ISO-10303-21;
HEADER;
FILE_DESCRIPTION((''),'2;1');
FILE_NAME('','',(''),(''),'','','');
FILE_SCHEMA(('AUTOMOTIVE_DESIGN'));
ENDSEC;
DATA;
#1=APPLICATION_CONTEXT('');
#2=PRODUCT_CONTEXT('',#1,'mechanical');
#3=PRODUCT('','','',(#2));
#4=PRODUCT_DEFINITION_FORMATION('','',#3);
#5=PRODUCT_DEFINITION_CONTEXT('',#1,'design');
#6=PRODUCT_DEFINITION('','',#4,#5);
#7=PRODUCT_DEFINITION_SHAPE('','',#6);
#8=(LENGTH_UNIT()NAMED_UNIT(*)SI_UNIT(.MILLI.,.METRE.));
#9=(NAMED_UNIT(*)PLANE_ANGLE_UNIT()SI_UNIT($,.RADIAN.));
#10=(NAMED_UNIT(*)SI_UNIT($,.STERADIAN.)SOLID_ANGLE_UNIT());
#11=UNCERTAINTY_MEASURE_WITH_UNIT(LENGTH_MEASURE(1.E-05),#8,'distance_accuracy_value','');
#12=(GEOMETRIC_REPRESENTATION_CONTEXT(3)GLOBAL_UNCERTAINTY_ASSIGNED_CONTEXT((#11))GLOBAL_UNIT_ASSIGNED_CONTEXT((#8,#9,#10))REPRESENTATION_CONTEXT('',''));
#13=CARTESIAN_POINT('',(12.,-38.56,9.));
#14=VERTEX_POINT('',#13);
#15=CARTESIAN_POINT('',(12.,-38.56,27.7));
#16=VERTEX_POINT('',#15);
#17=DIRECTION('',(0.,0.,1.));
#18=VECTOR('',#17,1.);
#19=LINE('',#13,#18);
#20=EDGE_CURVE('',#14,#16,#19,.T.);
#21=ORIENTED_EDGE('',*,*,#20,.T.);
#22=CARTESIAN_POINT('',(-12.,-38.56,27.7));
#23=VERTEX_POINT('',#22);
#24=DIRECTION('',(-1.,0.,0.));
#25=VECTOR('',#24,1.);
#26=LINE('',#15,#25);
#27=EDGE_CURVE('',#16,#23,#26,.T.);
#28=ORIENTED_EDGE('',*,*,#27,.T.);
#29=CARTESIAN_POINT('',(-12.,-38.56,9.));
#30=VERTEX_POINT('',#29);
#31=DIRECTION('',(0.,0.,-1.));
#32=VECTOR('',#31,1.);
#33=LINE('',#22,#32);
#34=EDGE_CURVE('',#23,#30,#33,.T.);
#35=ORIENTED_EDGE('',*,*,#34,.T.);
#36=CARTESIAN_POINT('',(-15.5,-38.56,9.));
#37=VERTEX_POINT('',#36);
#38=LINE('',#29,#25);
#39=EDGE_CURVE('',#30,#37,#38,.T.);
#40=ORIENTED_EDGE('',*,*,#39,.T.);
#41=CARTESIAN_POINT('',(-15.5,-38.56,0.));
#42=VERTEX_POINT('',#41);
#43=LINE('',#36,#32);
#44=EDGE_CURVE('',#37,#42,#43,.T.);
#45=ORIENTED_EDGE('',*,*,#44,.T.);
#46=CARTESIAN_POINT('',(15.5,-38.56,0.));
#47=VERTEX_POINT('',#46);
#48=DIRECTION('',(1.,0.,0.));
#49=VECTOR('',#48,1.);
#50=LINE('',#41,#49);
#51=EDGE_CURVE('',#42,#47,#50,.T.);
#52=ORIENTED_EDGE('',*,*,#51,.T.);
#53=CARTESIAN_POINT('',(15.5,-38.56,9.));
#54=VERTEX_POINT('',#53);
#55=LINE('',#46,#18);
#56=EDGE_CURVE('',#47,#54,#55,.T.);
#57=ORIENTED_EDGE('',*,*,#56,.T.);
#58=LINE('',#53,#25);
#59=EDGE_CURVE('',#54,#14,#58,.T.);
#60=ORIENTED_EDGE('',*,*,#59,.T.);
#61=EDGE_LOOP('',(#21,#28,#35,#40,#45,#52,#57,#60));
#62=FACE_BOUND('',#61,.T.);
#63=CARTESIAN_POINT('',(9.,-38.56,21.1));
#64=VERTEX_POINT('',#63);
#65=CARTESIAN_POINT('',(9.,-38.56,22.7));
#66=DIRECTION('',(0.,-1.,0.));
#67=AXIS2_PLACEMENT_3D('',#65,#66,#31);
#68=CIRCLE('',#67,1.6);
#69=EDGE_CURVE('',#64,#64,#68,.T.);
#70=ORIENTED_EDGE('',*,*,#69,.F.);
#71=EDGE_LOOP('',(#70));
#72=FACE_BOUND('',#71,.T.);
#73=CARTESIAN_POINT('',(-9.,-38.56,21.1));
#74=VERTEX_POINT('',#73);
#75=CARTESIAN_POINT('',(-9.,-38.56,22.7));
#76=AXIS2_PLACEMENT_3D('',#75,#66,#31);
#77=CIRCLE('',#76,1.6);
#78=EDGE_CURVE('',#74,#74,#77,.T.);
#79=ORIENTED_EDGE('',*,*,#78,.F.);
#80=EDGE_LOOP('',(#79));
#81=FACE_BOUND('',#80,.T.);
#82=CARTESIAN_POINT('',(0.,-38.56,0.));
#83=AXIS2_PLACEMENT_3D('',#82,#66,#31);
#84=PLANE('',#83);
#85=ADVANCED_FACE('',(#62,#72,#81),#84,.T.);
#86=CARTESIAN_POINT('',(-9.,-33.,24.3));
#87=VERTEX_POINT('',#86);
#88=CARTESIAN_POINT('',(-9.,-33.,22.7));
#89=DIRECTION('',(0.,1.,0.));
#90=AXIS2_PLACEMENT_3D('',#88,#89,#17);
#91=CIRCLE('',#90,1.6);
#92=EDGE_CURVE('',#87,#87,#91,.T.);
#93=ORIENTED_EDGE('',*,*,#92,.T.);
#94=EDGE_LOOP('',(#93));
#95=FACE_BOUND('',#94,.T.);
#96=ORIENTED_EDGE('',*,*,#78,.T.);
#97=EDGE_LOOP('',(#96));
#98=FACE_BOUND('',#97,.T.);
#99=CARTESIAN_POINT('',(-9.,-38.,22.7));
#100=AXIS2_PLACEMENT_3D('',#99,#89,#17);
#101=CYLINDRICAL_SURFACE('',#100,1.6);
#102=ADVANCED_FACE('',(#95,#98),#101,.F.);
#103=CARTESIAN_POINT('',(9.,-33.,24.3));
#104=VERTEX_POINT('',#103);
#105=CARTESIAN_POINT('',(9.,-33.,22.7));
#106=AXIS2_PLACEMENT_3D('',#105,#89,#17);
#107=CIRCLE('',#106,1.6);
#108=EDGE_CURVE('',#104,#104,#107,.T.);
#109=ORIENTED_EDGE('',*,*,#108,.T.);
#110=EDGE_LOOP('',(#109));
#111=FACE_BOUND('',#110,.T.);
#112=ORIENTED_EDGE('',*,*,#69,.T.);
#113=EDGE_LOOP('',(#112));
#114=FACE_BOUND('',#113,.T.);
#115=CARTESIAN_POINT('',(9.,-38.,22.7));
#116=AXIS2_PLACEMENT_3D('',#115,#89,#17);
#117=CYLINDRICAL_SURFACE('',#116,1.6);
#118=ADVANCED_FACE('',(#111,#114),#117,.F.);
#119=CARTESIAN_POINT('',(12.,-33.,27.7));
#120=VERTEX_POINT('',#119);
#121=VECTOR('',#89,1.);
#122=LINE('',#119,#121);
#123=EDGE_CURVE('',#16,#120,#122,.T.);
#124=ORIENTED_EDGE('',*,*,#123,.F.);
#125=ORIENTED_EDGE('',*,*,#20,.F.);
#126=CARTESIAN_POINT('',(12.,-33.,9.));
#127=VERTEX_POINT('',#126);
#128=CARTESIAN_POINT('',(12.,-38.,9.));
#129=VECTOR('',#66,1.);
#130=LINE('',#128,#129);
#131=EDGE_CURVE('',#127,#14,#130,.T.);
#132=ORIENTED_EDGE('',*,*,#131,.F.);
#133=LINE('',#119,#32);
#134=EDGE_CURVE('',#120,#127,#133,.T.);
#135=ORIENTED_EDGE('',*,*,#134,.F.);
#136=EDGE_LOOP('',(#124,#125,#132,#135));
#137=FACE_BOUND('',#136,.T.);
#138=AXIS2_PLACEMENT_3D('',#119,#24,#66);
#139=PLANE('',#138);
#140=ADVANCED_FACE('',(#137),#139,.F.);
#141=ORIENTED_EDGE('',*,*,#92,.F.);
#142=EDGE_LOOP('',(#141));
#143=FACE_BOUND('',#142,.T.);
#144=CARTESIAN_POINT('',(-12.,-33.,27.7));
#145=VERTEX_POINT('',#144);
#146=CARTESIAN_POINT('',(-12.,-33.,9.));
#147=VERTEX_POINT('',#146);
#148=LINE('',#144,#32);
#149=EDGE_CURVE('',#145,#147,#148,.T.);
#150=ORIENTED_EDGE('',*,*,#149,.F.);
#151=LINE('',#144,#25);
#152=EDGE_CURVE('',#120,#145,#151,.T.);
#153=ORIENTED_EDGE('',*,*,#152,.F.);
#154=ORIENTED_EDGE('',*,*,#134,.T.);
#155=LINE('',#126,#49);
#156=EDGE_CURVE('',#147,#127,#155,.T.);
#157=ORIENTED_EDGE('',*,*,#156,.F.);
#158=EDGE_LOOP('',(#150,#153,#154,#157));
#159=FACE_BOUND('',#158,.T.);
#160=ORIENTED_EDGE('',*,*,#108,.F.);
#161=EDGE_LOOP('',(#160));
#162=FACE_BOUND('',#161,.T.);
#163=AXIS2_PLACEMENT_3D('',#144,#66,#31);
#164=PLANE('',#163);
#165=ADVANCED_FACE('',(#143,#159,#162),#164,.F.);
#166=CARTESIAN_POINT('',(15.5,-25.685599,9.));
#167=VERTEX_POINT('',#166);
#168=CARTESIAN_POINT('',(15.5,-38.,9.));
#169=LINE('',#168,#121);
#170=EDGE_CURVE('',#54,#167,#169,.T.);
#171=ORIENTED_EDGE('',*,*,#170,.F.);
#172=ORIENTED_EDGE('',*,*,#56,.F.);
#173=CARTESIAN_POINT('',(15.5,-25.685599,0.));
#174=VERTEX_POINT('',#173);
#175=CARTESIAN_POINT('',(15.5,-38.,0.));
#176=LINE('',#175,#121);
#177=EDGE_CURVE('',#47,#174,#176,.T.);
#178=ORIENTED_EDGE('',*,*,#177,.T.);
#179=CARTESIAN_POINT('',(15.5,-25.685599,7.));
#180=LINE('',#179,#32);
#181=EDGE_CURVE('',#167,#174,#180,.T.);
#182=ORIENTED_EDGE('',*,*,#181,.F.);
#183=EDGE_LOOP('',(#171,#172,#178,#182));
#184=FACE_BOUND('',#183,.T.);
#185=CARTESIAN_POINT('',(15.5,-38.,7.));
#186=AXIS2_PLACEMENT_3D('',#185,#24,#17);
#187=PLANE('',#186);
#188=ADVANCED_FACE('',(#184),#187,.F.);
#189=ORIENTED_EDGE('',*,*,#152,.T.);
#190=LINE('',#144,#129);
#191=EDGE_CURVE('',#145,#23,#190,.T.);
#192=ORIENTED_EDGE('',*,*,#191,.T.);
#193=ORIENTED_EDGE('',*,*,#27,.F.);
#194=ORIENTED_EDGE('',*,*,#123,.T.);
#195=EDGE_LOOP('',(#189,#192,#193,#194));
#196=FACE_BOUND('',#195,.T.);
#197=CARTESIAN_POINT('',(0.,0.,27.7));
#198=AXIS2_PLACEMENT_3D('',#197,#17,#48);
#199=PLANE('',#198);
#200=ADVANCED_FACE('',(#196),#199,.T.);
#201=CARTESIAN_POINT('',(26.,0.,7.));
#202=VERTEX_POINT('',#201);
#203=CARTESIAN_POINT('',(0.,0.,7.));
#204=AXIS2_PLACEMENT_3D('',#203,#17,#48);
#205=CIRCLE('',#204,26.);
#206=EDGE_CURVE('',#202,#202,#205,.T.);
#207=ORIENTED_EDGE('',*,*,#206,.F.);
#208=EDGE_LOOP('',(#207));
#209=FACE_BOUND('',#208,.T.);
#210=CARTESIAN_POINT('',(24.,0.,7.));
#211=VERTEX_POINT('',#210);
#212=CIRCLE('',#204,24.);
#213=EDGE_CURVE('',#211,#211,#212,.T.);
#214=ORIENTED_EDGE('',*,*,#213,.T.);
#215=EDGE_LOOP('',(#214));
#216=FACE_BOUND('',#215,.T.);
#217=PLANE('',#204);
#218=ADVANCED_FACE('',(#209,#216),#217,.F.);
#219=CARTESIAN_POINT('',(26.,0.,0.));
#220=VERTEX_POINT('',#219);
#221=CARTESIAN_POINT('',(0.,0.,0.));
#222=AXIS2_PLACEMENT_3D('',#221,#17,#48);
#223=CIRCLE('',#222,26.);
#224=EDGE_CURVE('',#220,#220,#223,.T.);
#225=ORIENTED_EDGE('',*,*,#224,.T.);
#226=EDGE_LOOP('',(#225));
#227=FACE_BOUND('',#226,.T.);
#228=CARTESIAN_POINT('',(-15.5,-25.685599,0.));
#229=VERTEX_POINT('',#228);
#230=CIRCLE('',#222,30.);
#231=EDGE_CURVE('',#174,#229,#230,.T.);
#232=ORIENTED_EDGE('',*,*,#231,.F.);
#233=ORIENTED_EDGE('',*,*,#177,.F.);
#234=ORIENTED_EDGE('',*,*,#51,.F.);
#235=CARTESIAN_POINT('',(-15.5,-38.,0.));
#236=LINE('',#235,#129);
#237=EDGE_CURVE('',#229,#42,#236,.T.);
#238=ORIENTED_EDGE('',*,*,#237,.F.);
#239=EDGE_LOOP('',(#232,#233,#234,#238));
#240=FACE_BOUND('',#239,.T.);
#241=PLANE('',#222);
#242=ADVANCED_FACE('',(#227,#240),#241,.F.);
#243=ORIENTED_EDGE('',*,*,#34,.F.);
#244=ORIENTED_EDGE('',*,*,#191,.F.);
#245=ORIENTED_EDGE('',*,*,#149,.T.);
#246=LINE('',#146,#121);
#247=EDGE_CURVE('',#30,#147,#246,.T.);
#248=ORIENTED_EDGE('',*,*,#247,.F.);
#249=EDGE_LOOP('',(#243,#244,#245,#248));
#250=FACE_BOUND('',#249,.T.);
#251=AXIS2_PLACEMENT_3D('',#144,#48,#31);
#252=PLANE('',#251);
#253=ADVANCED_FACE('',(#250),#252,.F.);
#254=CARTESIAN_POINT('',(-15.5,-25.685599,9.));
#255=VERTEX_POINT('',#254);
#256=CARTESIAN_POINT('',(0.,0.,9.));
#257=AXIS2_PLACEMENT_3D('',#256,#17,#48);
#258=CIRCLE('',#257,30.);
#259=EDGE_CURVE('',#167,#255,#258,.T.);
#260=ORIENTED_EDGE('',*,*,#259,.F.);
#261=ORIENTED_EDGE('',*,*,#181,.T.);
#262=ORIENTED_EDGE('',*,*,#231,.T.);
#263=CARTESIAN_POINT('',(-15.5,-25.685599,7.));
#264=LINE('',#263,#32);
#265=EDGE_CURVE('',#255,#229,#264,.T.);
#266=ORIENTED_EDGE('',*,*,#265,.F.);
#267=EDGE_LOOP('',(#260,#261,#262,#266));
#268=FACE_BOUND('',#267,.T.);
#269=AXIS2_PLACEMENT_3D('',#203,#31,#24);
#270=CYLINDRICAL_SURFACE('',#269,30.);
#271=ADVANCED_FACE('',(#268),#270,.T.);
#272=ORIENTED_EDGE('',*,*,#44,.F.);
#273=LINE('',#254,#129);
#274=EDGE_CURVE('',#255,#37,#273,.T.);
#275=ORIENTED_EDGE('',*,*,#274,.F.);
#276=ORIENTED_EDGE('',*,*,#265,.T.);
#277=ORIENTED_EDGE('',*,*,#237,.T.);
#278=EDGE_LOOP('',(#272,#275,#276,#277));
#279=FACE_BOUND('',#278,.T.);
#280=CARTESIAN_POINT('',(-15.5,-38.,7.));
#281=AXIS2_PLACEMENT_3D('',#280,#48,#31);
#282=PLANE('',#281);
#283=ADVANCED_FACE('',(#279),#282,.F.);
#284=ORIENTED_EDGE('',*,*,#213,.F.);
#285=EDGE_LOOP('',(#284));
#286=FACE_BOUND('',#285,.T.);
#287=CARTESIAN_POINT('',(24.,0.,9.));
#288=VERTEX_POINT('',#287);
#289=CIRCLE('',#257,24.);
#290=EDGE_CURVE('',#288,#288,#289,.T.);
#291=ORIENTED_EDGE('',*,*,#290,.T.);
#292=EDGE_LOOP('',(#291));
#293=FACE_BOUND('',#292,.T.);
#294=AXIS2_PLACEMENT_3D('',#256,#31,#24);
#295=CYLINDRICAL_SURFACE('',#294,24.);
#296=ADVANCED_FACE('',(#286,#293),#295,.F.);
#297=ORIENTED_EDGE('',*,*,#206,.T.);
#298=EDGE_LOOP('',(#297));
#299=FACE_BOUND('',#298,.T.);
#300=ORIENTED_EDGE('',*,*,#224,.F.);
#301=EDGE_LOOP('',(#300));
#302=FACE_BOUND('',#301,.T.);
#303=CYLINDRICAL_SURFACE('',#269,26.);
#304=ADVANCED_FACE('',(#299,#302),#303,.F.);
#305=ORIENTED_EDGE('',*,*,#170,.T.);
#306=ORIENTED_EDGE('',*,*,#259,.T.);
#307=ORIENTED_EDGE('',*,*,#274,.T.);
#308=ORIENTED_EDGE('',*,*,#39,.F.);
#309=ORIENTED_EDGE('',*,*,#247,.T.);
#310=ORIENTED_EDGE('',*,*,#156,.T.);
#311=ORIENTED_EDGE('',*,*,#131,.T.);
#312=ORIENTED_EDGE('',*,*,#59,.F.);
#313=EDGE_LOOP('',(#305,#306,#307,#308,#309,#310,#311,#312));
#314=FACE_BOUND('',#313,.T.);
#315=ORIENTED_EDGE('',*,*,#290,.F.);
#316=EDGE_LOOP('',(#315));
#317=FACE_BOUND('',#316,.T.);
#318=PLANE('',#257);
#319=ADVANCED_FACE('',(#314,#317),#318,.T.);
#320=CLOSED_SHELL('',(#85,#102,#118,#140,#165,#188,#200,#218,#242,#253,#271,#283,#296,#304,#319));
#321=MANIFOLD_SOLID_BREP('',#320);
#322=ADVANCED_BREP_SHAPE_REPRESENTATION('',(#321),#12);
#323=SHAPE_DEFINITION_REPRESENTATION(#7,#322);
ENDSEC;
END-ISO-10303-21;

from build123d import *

# Parameters (mm, degrees)
SKETCH_1_R          = 26
EXTRUDE_1_DEPTH     = 7
SKETCH_4_R          = 30
SKETCH_4_R_2        = 24
EXTRUDE_4_DEPTH     = 2
SKETCH_5_W          = 24
SKETCH_5_H          = 5
EXTRUDE_5_DEPTH     = 20.7
EXTRUDE_8_DEPTH     = 2
SKETCH_9_R          = 1.6
CUT_EXTRUDE_1_DEPTH = 6
EXTRUDE_9_DEPTH     = 0.56
SKETCH_11_R         = 1.6
CUT_EXTRUDE_2_DEPTH = 25


with BuildPart() as part:
    # 草图1 → 凸台-拉伸1 (new body)
    with BuildSketch(Plane.XY):
        with BuildLine():
            Line((-15.5, -38), (15.5, -38))
            Line((15.5, -38), (15.5, -25.685599078))
            ThreePointArc((15.5, -25.685599078), (0, 30), (-15.5, -25.685599078))
            Line((-15.5, -25.685599078), (-15.5, -38))
        make_face()
        Circle(SKETCH_1_R, mode=Mode.SUBTRACT)
    extrude(amount=EXTRUDE_1_DEPTH)

    # 草图4 → 凸台-拉伸4 (add)
    with BuildSketch(Plane.XY.offset(7)):
        Circle(SKETCH_4_R)
        Circle(SKETCH_4_R_2, mode=Mode.SUBTRACT)
    extrude(amount=EXTRUDE_4_DEPTH)

    # 草图5 → 凸台-拉伸5 (add)
    with BuildSketch(Plane.XY.offset(7)):
        with Locations((0, -35.5)):
            Rectangle(SKETCH_5_W, SKETCH_5_H)
    extrude(amount=EXTRUDE_5_DEPTH)

    # 草图6 → 凸台-拉伸8 (add)
    with BuildSketch(Plane.XY.offset(7)):
        with BuildLine():
            Line((15.5, -38), (15.5, -25.685599078))
            ThreePointArc((15.5, -25.685599078), (0, -30), (-15.5, -25.685599078))
            Line((-15.5, -25.685599078), (-15.5, -38))
            Line((-15.5, -38), (-12, -38))
            Line((-12, -38), (-12, -33))
            Line((-12, -33), (12, -33))
            Line((12, -33), (12, -38))
            Line((12, -38), (15.5, -38))
        make_face()
    extrude(amount=EXTRUDE_8_DEPTH)

    # 草图9 → 切除-拉伸1 (cut, through all)
    with BuildSketch(Plane(origin=(0, -33, 0), x_dir=(1, 0, 0), z_dir=(0, 1, 0))):
        with Locations((-9, -22.7)):
            Circle(SKETCH_9_R)
        with Locations((9, -22.7)):
            Circle(SKETCH_9_R)
    extrude(amount=-CUT_EXTRUDE_1_DEPTH, mode=Mode.SUBTRACT)

    # 草图10 → 凸台-拉伸9 (add)
    with BuildSketch(Plane.XZ.offset(38)):
        Polygon((15.5, 0), (15.5, 9), (12, 9), (12, 27.7), (-12, 27.7), (-12, 9), (-15.5, 9), (-15.5, 0), align=None)
    extrude(amount=EXTRUDE_9_DEPTH)

    # 草图11 → 切除-拉伸2 (cut)
    with BuildSketch(Plane(origin=(0, -33, 0), x_dir=(1, 0, 0), z_dir=(0, 1, 0))):
        with Locations((9, -22.7)):
            Circle(SKETCH_11_R)
        with Locations((-9, -22.7)):
            Circle(SKETCH_11_R)
    extrude(amount=-CUT_EXTRUDE_2_DEPTH, mode=Mode.SUBTRACT)


solid = part.part
